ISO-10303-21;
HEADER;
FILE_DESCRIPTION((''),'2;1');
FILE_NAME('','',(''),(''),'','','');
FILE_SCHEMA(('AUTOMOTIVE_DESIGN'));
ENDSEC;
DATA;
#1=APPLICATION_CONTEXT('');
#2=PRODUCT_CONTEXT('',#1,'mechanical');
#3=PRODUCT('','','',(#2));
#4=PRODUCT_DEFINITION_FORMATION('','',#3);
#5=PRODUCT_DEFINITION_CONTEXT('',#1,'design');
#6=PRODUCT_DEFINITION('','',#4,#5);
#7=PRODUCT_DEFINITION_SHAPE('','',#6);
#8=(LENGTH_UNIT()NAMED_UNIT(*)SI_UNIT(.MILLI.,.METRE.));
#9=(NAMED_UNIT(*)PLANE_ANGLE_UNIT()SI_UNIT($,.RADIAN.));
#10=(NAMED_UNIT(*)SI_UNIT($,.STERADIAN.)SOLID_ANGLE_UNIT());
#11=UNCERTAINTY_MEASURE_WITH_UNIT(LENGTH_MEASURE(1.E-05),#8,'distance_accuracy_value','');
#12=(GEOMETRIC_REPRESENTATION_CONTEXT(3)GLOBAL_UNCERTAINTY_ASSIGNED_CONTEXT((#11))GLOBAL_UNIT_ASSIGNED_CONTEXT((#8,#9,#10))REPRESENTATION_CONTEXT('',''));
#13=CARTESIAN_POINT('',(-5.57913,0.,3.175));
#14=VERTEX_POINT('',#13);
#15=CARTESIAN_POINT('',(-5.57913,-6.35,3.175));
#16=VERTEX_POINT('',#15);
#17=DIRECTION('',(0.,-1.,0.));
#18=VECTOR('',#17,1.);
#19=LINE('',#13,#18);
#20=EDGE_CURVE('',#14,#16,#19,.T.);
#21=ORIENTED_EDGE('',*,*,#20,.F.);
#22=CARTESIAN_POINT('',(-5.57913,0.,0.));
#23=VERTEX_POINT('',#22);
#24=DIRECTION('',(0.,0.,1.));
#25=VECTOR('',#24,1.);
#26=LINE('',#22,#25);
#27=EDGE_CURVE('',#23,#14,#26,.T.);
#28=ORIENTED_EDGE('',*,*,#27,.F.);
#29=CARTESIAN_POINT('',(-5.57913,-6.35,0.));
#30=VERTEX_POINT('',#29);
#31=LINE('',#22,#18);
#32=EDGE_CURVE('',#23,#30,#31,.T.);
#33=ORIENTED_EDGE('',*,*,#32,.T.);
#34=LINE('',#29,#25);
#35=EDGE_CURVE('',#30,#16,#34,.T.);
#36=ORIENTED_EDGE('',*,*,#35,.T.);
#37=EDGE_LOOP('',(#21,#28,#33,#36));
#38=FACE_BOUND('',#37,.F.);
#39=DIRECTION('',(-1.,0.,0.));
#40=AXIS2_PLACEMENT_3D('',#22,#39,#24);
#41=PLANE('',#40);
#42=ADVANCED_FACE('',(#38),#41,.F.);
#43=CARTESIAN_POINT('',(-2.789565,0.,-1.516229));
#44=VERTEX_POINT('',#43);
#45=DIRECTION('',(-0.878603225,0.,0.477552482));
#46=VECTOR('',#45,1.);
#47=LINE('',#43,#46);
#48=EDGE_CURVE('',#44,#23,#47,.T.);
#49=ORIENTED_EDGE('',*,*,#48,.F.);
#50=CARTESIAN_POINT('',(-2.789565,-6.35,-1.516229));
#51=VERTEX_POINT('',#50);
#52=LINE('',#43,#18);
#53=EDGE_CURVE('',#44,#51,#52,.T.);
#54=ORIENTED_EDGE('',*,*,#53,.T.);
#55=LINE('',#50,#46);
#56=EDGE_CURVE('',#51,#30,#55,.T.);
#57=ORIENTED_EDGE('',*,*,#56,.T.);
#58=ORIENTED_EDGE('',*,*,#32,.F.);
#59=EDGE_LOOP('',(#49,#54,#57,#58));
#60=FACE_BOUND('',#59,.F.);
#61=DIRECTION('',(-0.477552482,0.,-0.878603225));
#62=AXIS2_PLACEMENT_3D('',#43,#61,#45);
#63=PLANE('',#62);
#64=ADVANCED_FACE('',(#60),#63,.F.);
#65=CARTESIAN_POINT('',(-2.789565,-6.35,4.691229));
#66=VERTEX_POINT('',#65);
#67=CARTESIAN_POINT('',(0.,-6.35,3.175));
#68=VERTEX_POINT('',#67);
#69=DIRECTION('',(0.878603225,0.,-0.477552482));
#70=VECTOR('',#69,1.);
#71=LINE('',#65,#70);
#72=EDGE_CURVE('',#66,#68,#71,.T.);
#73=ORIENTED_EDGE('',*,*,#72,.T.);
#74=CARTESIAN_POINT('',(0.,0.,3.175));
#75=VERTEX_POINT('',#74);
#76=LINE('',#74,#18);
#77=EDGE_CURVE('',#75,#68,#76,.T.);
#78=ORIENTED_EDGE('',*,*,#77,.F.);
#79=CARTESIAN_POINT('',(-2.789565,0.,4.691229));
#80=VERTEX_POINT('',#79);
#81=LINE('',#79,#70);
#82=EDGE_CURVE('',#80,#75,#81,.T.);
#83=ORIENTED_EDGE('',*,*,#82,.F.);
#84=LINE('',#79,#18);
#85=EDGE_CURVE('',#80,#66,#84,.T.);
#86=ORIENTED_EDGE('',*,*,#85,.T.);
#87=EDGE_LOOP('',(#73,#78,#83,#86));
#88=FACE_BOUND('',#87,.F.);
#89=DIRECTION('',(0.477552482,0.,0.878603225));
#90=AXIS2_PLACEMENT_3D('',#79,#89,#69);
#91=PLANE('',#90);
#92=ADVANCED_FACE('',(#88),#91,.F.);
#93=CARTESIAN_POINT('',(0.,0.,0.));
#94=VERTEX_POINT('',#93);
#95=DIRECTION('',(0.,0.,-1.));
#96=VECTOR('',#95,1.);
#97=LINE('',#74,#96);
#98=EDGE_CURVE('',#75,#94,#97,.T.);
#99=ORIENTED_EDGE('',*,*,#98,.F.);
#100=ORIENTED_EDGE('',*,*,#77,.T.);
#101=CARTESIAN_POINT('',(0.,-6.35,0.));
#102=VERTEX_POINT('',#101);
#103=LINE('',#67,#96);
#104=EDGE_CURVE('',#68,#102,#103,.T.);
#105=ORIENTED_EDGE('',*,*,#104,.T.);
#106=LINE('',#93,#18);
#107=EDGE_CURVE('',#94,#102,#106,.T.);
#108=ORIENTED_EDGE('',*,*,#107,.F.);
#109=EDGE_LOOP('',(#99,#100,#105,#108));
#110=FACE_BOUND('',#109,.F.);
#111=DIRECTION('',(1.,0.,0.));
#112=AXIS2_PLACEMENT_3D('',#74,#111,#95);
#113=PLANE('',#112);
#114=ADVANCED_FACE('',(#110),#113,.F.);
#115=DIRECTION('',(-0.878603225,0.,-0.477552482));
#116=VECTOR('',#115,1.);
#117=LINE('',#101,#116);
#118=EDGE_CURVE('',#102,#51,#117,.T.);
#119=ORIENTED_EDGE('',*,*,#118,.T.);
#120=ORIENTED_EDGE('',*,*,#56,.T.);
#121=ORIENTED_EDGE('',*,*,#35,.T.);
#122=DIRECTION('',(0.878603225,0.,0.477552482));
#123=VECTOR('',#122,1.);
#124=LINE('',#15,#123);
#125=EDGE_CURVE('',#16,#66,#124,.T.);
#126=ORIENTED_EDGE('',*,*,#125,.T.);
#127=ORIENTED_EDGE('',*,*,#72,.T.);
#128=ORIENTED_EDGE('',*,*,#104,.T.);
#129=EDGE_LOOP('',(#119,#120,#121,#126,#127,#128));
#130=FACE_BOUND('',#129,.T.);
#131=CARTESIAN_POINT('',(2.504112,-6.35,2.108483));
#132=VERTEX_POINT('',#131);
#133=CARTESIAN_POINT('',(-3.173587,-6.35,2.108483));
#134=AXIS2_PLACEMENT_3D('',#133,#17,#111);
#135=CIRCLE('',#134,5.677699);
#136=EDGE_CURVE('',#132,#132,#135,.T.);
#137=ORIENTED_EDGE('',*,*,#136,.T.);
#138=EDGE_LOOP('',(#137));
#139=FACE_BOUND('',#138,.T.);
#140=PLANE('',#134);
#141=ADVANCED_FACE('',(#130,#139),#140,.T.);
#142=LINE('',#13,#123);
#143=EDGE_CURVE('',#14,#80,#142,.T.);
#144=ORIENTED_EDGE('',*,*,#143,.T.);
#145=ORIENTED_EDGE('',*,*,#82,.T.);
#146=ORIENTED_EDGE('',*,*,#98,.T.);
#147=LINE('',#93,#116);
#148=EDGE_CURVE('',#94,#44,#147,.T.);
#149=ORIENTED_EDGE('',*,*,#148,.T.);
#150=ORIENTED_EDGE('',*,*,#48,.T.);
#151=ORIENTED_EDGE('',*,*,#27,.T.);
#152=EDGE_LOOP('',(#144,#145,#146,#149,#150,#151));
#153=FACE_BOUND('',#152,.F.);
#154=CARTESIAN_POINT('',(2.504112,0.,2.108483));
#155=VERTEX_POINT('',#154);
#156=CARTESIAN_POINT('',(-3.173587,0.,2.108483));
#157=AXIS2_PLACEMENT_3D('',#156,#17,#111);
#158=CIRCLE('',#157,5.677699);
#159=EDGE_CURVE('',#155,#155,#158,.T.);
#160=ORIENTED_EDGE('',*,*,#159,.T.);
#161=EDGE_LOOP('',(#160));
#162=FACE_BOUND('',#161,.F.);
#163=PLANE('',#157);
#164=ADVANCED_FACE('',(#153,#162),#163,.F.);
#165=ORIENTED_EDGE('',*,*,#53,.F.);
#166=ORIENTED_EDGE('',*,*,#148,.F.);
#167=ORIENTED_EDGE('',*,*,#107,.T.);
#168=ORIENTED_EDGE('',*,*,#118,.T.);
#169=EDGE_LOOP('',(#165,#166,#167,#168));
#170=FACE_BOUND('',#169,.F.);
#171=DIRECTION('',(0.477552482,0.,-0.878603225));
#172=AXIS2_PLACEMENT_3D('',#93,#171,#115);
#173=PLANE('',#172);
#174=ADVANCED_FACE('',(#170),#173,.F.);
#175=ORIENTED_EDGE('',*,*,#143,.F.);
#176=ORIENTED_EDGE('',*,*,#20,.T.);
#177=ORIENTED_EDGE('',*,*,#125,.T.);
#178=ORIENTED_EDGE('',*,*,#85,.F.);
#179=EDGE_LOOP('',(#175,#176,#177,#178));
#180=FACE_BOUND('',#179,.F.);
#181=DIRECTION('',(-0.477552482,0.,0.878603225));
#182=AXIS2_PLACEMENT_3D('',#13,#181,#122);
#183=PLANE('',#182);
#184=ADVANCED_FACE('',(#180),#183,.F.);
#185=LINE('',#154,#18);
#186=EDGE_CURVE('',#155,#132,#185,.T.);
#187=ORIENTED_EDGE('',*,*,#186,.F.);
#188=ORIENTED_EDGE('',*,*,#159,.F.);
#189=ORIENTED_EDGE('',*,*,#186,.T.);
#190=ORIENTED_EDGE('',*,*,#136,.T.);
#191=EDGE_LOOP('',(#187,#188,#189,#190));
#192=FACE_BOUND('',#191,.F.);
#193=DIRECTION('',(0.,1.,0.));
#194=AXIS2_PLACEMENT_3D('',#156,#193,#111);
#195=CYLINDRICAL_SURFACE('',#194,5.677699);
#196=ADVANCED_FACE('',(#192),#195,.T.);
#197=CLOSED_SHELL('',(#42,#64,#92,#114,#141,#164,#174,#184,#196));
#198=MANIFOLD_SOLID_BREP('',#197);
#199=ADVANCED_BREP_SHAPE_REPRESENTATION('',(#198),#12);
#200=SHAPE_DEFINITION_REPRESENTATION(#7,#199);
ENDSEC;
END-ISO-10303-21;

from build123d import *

# Parameters (mm, degrees)
F0_R     = 5.677699
F1_DEPTH = 6.35


with BuildPart() as f1:
    # F0 (on Front) → F1 (new body)
    with BuildSketch(Plane.XZ):
        with Locations((-3.173587, 2.108483)):
            Circle(F0_R)
        Polygon((-5.57913, 0), (-5.57913, 3.175), (-2.789565, 4.691229), (0, 3.175), (0, 0), (-2.789565, -1.516229), align=None, mode=Mode.SUBTRACT)
    extrude(amount=F1_DEPTH)


solid = f1.part
